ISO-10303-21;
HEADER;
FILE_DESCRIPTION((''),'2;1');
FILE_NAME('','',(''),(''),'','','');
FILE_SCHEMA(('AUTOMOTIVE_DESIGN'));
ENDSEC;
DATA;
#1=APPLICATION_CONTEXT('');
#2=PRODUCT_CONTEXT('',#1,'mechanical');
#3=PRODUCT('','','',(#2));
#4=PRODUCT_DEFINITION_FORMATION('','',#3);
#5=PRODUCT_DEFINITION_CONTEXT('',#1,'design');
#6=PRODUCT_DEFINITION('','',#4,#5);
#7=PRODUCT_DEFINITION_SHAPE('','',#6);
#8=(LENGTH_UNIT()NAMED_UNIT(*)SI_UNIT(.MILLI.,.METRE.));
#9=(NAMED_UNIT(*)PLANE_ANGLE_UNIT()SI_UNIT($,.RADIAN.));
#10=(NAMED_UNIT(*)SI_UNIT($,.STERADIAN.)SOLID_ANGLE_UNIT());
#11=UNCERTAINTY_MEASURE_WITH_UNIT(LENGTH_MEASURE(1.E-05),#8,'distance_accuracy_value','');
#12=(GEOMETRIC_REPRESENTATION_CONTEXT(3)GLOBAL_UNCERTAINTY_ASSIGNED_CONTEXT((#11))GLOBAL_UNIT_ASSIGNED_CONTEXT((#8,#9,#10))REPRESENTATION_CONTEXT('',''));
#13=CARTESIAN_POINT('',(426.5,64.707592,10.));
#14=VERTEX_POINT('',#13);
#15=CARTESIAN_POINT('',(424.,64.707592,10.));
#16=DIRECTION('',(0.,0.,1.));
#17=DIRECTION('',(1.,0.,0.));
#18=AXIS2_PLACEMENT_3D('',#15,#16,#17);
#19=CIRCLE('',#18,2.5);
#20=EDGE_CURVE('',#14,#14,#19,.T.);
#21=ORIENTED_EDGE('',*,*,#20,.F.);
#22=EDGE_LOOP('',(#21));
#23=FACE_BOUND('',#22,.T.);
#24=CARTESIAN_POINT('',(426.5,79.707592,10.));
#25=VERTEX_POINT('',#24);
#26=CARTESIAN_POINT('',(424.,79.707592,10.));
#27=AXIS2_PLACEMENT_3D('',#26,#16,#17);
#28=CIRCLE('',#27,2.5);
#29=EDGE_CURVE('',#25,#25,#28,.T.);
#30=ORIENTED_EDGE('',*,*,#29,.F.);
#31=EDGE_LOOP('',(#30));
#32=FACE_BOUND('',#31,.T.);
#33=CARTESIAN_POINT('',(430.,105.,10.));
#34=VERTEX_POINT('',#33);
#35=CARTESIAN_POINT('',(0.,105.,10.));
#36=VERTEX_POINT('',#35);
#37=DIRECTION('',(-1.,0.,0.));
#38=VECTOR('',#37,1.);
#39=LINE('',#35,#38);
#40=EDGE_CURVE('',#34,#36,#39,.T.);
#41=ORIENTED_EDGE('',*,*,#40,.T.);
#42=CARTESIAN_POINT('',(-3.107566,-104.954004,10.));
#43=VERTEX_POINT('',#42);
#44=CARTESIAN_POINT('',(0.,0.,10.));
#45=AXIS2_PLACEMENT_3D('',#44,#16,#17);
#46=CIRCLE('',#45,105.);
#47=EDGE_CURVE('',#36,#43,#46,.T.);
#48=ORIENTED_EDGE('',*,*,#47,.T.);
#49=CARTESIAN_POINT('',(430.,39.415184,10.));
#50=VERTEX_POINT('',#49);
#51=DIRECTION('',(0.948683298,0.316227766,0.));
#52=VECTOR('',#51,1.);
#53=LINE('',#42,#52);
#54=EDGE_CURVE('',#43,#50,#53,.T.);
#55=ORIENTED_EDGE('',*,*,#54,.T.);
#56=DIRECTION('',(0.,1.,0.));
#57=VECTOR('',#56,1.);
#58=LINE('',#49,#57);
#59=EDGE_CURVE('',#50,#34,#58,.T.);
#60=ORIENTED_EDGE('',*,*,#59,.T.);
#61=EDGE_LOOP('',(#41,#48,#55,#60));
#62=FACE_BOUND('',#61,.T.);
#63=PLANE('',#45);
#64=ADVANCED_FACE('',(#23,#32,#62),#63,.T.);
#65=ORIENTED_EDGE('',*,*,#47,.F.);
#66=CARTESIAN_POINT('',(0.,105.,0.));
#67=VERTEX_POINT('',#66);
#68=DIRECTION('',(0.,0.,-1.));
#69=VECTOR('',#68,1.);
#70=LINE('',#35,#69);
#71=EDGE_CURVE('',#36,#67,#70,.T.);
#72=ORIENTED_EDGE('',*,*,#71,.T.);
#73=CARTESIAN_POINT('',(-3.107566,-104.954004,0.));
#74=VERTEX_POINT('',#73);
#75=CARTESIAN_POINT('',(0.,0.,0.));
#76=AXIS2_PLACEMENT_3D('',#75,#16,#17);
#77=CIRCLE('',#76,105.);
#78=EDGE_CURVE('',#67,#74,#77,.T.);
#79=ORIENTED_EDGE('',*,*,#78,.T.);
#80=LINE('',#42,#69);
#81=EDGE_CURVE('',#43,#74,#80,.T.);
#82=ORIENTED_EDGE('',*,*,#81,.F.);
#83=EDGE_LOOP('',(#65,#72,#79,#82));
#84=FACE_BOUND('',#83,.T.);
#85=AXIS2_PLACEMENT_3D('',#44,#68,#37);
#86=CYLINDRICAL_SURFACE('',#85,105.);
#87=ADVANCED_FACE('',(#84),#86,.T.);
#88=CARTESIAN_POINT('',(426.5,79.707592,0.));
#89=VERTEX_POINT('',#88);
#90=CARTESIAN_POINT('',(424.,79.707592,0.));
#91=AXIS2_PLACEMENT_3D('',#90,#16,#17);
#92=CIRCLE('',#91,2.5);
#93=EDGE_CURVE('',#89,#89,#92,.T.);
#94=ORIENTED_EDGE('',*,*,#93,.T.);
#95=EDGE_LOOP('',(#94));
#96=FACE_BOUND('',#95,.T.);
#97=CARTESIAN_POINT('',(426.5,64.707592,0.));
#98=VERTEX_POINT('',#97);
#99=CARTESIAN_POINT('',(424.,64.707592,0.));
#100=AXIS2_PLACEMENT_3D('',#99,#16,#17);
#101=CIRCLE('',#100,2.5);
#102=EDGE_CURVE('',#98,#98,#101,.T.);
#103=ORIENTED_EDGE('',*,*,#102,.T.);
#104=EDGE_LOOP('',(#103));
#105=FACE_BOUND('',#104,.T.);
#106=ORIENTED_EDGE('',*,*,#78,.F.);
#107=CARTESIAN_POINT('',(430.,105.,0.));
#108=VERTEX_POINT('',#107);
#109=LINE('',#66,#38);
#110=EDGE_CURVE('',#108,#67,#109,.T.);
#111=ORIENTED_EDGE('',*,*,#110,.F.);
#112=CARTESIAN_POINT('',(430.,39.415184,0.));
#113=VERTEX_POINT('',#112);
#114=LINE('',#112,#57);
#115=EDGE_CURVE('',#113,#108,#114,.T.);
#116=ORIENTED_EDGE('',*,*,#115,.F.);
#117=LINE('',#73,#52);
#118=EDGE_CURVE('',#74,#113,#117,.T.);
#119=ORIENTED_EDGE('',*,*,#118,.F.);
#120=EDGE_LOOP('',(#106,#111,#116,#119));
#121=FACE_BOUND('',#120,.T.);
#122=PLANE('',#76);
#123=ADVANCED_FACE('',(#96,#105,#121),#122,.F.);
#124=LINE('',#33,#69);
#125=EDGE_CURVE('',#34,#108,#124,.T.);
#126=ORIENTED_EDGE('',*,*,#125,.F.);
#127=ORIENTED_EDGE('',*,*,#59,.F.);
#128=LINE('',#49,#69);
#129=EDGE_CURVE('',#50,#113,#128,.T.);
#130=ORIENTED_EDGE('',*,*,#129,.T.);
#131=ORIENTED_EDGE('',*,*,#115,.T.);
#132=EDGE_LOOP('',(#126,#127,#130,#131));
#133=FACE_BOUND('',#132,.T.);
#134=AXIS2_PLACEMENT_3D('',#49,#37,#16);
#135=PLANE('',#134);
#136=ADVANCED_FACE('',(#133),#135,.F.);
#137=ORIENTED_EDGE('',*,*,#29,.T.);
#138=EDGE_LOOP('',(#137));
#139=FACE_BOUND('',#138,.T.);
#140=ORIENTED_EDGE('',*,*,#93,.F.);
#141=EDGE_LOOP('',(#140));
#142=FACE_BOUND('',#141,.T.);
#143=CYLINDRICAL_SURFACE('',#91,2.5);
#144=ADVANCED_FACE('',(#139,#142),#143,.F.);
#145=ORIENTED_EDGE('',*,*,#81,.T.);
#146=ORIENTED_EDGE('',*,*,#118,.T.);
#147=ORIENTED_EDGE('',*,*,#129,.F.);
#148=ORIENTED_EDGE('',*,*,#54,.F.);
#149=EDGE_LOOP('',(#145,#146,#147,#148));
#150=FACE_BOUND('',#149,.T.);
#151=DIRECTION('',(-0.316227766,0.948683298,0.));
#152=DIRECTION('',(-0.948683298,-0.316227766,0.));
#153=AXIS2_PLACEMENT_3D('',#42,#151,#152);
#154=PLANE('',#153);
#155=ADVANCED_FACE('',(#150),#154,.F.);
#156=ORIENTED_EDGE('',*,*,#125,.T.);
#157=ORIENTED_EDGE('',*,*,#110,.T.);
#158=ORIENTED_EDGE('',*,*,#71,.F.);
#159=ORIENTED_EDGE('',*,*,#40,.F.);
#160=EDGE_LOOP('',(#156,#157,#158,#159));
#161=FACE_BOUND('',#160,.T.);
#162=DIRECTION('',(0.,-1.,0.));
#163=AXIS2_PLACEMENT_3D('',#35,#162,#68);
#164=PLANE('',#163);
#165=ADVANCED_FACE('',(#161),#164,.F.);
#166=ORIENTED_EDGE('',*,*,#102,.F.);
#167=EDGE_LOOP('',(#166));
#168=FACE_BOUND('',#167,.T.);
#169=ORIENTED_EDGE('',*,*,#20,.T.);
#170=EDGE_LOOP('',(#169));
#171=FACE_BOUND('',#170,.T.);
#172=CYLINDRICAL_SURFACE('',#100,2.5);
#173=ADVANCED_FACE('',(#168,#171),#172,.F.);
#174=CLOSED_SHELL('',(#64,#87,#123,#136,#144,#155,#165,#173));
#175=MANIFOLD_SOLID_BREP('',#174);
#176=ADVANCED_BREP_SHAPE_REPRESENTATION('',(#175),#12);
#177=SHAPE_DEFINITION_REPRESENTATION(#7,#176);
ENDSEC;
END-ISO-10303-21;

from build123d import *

# Parameters (mm, degrees)
BOSS_EXTRUDE1_DEPTH = 10
SKETCH2_R           = 2.5
CUT_EXTRUDE1_DEPTH  = 11


with BuildPart() as part:
    # Sketch1 → Boss-Extrude1 (new body)
    with BuildSketch(Plane.XY):
        with BuildLine():
            Line((0, 105), (430, 105))
            Line((430, 105), (430, 39.415184401))
            Line((430, 39.415184401), (-3.107566291, -104.954004363))
            ThreePointArc((-3.107566291, -104.954004363), (-104.988500461, 1.553953334), (0, 105))
        make_face()
    extrude(amount=BOSS_EXTRUDE1_DEPTH)

    # Sketch2 → Cut-Extrude1 (cut, through all)
    with BuildSketch(Plane.XY.offset(10)):
        with Locations((424, 79.707592201)):
            Circle(SKETCH2_R)
        with Locations((424, 64.707592201)):
            Circle(SKETCH2_R)
    extrude(amount=-CUT_EXTRUDE1_DEPTH, mode=Mode.SUBTRACT)


solid = part.part
